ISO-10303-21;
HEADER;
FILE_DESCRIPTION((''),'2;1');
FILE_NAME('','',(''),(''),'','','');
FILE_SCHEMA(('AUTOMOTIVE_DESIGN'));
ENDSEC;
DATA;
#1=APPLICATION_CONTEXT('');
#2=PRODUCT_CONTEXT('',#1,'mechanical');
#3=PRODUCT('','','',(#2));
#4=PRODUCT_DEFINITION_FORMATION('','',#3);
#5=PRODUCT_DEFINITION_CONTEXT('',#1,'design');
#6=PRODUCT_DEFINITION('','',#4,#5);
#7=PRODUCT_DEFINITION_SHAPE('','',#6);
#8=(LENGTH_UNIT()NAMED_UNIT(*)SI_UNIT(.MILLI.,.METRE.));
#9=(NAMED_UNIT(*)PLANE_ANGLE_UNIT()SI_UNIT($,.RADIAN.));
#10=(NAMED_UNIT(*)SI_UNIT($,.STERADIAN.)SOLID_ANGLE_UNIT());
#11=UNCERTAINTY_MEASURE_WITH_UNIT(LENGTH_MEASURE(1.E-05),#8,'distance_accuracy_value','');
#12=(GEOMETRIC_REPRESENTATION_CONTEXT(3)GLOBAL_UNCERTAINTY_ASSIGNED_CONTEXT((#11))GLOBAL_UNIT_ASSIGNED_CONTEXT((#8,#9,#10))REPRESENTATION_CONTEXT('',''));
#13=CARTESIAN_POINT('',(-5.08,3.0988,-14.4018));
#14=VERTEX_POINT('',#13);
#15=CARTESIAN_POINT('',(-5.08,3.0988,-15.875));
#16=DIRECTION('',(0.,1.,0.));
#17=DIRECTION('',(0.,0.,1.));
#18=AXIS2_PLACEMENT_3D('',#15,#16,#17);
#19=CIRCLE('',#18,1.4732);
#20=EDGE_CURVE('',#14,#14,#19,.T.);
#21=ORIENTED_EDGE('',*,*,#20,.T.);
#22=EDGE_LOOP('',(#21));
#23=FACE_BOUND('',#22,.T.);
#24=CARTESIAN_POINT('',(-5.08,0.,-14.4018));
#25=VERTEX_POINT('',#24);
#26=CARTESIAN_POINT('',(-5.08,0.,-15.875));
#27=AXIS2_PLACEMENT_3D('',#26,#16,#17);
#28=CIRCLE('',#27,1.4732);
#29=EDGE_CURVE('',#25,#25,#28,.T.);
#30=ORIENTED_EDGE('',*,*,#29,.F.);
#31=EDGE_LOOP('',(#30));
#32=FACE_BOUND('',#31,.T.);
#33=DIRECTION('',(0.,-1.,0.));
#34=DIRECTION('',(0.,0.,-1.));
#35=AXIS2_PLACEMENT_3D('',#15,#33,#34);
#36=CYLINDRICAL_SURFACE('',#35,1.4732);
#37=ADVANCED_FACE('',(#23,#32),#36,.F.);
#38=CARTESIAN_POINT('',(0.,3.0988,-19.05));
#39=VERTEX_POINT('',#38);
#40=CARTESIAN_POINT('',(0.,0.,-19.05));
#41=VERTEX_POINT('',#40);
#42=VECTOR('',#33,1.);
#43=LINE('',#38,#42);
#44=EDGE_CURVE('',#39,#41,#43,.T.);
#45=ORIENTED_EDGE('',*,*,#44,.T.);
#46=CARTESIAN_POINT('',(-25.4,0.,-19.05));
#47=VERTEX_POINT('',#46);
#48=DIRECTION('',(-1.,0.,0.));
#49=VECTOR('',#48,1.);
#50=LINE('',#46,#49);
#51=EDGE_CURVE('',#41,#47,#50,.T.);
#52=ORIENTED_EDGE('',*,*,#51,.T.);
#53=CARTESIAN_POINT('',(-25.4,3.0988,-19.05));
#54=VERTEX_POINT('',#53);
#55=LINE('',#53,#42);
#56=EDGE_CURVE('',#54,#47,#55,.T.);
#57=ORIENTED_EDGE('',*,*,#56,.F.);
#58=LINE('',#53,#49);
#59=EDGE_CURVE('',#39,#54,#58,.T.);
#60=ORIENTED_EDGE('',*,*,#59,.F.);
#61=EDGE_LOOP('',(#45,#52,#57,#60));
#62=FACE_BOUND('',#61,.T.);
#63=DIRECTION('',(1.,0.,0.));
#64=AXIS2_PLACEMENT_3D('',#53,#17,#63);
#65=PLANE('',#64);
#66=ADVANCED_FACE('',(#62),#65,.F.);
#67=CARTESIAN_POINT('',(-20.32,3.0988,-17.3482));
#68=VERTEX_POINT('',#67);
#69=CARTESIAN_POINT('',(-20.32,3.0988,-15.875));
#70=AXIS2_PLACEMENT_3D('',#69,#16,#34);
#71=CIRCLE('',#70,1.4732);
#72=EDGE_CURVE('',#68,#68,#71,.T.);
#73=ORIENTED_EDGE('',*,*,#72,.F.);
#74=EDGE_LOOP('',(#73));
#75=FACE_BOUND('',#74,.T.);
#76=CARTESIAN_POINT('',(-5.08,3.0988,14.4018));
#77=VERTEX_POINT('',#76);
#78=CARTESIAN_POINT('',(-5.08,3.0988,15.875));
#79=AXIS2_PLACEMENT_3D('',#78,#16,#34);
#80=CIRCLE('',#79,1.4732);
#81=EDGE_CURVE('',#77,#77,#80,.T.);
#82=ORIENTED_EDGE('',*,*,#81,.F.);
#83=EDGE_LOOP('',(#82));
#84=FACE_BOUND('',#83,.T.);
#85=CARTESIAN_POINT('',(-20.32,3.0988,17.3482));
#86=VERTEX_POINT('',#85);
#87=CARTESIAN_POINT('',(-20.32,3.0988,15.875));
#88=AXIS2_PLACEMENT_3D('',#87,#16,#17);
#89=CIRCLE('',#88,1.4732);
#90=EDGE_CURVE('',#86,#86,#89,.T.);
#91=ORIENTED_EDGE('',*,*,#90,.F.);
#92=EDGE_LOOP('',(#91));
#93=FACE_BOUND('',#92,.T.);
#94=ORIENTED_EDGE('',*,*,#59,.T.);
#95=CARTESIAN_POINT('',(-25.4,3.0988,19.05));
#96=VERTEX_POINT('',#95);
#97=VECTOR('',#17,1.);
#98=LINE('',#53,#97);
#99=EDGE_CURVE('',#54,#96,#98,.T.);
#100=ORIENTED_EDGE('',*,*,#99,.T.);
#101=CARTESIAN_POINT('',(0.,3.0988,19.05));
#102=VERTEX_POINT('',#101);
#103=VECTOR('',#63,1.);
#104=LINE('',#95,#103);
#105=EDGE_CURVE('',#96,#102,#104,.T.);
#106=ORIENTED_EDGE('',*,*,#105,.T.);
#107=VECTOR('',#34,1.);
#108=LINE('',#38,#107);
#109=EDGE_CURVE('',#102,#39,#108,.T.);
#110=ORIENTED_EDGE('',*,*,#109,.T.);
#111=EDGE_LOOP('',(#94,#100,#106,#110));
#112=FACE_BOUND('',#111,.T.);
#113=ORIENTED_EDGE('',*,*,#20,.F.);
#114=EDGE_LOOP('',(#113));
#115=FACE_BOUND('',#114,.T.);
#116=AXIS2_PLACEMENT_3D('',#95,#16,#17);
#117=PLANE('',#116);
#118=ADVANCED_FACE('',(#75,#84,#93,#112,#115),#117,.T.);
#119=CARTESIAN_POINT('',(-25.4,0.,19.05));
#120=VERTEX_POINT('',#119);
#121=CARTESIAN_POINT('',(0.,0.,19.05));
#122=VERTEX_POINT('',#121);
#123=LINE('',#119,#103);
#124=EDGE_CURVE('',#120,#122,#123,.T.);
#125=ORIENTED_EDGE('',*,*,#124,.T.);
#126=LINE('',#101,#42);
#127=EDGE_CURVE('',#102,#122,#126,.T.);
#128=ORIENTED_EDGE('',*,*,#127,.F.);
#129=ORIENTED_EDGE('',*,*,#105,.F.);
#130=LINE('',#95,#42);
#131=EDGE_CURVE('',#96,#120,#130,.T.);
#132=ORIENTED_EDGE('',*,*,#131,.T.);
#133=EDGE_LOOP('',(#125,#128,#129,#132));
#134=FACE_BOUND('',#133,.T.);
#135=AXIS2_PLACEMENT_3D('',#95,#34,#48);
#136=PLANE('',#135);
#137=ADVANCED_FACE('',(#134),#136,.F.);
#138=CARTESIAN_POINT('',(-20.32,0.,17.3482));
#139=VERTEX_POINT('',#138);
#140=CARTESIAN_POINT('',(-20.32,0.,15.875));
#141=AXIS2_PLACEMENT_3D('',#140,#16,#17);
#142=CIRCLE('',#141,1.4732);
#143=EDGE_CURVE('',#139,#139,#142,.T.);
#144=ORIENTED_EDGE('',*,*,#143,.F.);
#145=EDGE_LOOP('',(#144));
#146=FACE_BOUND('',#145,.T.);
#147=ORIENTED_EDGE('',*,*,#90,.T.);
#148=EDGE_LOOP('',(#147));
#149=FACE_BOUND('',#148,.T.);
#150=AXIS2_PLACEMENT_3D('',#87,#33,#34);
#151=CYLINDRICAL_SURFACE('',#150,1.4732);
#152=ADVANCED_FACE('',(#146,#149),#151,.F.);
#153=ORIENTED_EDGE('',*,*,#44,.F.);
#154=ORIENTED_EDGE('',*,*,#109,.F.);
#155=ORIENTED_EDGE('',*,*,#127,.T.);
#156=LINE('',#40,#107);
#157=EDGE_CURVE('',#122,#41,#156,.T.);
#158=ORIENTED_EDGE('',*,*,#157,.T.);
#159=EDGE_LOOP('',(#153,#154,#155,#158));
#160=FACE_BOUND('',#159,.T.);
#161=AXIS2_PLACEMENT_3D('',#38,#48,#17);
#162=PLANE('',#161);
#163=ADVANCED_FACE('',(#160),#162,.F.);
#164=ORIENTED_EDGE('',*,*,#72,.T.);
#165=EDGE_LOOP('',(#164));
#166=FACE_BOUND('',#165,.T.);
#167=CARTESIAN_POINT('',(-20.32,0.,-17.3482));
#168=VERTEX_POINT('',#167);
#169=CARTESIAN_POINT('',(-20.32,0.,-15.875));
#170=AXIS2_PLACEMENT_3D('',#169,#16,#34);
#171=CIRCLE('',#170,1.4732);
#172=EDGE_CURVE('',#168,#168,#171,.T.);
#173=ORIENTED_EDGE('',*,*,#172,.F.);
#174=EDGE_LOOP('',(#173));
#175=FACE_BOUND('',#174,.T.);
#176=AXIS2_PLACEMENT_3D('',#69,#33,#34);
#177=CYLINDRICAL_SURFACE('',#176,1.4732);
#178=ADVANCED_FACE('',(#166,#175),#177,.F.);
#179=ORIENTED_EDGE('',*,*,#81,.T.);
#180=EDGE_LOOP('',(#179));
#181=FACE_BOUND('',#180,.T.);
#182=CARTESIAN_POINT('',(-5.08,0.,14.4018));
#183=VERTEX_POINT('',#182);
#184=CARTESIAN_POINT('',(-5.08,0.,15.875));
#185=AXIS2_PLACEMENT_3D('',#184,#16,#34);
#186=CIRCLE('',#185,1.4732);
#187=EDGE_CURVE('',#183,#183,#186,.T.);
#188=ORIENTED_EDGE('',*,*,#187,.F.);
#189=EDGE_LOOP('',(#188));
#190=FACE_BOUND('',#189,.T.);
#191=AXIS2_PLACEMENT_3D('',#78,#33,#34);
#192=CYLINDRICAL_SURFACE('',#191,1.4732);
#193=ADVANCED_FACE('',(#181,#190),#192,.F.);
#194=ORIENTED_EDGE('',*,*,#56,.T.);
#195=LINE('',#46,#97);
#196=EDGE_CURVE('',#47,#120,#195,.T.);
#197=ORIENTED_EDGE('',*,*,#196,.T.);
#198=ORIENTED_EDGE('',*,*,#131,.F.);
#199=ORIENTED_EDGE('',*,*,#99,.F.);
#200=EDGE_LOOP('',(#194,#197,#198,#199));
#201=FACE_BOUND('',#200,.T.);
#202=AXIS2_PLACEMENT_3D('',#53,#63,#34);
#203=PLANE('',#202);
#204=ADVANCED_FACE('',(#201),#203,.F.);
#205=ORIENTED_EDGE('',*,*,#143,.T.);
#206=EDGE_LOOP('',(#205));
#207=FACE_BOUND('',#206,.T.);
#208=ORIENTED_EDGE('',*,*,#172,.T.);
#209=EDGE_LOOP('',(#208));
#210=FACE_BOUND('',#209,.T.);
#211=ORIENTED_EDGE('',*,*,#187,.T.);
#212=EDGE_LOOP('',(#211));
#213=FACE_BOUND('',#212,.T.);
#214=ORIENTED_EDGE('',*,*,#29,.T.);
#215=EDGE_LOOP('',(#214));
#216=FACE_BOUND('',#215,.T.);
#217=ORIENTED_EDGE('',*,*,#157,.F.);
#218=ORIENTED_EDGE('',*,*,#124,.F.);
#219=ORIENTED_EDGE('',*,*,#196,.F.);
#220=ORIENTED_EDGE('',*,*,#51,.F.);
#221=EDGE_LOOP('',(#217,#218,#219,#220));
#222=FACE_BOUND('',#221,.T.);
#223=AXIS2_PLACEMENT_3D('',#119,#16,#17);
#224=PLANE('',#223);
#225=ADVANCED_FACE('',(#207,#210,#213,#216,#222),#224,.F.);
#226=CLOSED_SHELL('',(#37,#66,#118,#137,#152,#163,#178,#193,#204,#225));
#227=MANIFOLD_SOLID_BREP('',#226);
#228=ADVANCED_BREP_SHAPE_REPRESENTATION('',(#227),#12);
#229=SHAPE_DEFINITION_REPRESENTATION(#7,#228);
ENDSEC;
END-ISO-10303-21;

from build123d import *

# Parameters (mm, degrees)
SKETCH1_W           = 25.4
SKETCH1_H           = 38.1
SKETCH1_R           = 1.4732
BOSS_EXTRUDE1_DEPTH = 3.0988


with BuildPart() as part:
    # Sketch1 → Boss-Extrude1 (new body)
    with BuildSketch(Plane(origin=(0, 0, 0), x_dir=(1, 0, 0), z_dir=(0, 1, 0))):
        with Locations((-12.7, 0)):
            Rectangle(SKETCH1_W, SKETCH1_H)
        with Locations(Location((-5.08, 15.875, 0), (0, 0, 270))):
            Circle(SKETCH1_R, mode=Mode.SUBTRACT)
        with Locations(Location((-20.32, -15.875, 0), (0, 0, 270))):
            Circle(SKETCH1_R, mode=Mode.SUBTRACT)
        with Locations(Location((-20.32, 15.875, 0), (0, 0, 90))):
            Circle(SKETCH1_R, mode=Mode.SUBTRACT)
        with Locations(Location((-5.08, -15.875, 0), (0, 0, 90))):
            Circle(SKETCH1_R, mode=Mode.SUBTRACT)
    extrude(amount=BOSS_EXTRUDE1_DEPTH)


solid = part.part
